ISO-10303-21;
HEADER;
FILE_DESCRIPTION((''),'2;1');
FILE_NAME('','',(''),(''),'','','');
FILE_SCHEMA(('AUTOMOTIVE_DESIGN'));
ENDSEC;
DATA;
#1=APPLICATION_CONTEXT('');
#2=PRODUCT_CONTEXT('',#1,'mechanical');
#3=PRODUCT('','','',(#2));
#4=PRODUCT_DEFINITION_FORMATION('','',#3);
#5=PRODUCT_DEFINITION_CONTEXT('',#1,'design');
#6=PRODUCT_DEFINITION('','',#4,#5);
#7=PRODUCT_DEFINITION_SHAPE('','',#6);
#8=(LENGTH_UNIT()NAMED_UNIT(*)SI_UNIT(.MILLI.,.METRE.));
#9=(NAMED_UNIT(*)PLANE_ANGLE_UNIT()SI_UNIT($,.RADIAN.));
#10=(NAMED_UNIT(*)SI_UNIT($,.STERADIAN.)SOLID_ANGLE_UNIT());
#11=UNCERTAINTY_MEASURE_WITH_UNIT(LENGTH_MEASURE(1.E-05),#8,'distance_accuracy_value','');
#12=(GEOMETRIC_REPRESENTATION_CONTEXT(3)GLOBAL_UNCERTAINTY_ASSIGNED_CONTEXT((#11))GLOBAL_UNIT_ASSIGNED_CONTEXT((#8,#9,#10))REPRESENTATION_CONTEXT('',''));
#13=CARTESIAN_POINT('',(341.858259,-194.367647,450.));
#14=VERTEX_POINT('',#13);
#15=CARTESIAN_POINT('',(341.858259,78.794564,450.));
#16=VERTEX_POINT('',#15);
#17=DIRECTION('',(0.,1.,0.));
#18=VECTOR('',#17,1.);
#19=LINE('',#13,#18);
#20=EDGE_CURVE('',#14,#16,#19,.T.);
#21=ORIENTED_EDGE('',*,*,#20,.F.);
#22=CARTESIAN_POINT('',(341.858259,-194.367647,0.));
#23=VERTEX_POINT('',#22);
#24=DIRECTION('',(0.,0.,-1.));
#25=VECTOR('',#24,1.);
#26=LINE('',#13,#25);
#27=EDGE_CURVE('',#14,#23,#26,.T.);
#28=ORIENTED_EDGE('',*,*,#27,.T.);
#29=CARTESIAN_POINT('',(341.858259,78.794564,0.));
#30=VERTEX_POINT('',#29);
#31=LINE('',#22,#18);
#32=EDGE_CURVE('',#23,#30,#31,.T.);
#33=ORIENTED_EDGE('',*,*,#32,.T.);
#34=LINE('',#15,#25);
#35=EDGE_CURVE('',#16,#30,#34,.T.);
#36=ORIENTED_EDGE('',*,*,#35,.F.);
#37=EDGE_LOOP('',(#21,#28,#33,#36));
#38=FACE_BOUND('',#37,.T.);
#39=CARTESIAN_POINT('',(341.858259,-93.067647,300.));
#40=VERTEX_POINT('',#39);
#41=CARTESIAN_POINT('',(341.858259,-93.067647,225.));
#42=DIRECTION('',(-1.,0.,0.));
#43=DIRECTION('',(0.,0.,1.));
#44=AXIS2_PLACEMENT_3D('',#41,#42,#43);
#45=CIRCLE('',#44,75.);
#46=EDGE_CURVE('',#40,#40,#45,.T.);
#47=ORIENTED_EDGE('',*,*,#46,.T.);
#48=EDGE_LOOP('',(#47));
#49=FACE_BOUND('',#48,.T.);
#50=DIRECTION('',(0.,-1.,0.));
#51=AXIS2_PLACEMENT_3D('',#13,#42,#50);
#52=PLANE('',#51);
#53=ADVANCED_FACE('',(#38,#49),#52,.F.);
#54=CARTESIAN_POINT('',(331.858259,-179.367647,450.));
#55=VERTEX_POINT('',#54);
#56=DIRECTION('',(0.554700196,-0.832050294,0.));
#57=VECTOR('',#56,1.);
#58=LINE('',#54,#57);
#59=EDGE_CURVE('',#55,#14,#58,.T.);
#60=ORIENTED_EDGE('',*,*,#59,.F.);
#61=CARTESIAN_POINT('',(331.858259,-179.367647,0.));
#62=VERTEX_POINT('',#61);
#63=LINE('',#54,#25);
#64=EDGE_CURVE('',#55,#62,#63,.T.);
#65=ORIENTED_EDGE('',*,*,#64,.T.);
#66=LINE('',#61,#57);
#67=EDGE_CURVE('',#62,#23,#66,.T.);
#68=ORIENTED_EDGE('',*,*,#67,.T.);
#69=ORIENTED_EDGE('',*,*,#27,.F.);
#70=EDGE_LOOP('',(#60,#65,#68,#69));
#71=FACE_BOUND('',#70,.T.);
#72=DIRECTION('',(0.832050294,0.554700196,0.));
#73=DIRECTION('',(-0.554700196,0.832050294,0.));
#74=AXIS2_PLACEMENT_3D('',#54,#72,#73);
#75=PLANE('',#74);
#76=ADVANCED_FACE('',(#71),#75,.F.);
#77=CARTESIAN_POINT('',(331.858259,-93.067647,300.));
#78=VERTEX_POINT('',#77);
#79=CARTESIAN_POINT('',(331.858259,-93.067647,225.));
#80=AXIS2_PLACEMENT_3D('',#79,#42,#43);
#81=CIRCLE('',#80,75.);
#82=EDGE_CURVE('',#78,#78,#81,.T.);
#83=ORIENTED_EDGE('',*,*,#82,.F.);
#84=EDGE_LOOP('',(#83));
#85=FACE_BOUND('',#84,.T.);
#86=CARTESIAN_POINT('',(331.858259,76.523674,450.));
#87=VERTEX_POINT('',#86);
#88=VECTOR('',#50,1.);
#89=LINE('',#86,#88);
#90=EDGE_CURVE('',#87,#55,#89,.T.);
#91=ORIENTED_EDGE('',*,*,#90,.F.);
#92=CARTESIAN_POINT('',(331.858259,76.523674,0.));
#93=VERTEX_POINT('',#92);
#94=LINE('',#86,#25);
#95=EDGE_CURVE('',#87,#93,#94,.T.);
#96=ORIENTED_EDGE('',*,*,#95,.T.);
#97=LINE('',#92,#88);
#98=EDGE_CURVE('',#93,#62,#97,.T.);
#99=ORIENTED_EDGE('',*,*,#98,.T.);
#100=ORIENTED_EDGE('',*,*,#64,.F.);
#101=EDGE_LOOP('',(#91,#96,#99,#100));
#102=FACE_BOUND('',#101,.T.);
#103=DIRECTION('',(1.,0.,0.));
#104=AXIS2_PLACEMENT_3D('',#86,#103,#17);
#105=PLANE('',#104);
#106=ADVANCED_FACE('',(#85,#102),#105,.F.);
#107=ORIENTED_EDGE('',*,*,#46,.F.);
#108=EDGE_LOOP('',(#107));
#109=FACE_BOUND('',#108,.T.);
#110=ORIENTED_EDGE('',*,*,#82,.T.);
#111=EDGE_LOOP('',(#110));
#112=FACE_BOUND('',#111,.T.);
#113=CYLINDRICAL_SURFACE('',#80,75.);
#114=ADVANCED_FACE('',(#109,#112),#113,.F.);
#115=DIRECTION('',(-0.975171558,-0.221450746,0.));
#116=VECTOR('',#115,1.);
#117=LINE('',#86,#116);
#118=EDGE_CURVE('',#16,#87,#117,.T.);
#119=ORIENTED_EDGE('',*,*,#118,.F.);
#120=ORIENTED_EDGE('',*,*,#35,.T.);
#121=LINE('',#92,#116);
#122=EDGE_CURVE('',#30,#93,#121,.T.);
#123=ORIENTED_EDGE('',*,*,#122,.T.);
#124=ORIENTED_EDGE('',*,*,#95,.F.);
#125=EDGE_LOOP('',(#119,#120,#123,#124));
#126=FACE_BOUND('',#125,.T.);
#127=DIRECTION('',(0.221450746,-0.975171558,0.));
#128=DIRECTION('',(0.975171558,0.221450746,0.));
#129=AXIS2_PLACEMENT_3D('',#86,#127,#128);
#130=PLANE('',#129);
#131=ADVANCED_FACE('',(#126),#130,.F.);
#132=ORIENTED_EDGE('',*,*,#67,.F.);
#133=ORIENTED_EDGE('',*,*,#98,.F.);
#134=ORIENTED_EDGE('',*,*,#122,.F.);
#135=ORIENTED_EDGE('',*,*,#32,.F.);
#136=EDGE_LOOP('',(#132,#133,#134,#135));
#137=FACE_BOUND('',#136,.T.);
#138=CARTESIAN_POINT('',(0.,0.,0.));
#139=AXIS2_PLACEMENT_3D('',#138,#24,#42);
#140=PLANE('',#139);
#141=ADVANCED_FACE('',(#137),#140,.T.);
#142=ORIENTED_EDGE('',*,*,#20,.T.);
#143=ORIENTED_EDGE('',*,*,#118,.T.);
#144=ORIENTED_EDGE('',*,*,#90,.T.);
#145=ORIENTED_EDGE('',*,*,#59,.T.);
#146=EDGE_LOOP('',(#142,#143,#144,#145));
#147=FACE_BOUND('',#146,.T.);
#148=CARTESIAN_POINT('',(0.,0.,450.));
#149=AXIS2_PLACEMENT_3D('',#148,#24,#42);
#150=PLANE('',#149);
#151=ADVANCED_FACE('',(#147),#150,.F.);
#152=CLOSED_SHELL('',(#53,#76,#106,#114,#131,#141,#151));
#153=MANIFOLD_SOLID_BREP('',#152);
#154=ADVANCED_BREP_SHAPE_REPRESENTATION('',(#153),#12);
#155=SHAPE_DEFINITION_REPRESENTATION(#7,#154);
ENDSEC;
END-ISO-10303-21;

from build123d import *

# Parameters (mm, degrees)
AUFSATZ_LINEAR_AUSTRAGEN1_DEPTH  = 450
F_15_0_15_DURCHMESSER_BOHRUNG1_D = 150


with BuildPart() as part:
    # Skizze1 → Aufsatz-Linear austragen1 (new body)
    with BuildSketch(Plane.XY):
        Polygon((331.858259494, 76.52367356), (341.858259494, 78.794563683), (341.858259494, -194.367647059), (331.858259494, -179.367647059), align=None)
    extrude(amount=AUFSATZ_LINEAR_AUSTRAGEN1_DEPTH)

    # Ø15.0 (15) Durchmesser Bohrung1 (through all)
    with Locations(Plane(origin=(331.858259494, -93.067647059, 225), x_dir=(0, -1, 0), z_dir=(-1, 0, 0))):
        with Locations((0, 0)):
            Hole(F_15_0_15_DURCHMESSER_BOHRUNG1_D / 2)


solid = part.part
